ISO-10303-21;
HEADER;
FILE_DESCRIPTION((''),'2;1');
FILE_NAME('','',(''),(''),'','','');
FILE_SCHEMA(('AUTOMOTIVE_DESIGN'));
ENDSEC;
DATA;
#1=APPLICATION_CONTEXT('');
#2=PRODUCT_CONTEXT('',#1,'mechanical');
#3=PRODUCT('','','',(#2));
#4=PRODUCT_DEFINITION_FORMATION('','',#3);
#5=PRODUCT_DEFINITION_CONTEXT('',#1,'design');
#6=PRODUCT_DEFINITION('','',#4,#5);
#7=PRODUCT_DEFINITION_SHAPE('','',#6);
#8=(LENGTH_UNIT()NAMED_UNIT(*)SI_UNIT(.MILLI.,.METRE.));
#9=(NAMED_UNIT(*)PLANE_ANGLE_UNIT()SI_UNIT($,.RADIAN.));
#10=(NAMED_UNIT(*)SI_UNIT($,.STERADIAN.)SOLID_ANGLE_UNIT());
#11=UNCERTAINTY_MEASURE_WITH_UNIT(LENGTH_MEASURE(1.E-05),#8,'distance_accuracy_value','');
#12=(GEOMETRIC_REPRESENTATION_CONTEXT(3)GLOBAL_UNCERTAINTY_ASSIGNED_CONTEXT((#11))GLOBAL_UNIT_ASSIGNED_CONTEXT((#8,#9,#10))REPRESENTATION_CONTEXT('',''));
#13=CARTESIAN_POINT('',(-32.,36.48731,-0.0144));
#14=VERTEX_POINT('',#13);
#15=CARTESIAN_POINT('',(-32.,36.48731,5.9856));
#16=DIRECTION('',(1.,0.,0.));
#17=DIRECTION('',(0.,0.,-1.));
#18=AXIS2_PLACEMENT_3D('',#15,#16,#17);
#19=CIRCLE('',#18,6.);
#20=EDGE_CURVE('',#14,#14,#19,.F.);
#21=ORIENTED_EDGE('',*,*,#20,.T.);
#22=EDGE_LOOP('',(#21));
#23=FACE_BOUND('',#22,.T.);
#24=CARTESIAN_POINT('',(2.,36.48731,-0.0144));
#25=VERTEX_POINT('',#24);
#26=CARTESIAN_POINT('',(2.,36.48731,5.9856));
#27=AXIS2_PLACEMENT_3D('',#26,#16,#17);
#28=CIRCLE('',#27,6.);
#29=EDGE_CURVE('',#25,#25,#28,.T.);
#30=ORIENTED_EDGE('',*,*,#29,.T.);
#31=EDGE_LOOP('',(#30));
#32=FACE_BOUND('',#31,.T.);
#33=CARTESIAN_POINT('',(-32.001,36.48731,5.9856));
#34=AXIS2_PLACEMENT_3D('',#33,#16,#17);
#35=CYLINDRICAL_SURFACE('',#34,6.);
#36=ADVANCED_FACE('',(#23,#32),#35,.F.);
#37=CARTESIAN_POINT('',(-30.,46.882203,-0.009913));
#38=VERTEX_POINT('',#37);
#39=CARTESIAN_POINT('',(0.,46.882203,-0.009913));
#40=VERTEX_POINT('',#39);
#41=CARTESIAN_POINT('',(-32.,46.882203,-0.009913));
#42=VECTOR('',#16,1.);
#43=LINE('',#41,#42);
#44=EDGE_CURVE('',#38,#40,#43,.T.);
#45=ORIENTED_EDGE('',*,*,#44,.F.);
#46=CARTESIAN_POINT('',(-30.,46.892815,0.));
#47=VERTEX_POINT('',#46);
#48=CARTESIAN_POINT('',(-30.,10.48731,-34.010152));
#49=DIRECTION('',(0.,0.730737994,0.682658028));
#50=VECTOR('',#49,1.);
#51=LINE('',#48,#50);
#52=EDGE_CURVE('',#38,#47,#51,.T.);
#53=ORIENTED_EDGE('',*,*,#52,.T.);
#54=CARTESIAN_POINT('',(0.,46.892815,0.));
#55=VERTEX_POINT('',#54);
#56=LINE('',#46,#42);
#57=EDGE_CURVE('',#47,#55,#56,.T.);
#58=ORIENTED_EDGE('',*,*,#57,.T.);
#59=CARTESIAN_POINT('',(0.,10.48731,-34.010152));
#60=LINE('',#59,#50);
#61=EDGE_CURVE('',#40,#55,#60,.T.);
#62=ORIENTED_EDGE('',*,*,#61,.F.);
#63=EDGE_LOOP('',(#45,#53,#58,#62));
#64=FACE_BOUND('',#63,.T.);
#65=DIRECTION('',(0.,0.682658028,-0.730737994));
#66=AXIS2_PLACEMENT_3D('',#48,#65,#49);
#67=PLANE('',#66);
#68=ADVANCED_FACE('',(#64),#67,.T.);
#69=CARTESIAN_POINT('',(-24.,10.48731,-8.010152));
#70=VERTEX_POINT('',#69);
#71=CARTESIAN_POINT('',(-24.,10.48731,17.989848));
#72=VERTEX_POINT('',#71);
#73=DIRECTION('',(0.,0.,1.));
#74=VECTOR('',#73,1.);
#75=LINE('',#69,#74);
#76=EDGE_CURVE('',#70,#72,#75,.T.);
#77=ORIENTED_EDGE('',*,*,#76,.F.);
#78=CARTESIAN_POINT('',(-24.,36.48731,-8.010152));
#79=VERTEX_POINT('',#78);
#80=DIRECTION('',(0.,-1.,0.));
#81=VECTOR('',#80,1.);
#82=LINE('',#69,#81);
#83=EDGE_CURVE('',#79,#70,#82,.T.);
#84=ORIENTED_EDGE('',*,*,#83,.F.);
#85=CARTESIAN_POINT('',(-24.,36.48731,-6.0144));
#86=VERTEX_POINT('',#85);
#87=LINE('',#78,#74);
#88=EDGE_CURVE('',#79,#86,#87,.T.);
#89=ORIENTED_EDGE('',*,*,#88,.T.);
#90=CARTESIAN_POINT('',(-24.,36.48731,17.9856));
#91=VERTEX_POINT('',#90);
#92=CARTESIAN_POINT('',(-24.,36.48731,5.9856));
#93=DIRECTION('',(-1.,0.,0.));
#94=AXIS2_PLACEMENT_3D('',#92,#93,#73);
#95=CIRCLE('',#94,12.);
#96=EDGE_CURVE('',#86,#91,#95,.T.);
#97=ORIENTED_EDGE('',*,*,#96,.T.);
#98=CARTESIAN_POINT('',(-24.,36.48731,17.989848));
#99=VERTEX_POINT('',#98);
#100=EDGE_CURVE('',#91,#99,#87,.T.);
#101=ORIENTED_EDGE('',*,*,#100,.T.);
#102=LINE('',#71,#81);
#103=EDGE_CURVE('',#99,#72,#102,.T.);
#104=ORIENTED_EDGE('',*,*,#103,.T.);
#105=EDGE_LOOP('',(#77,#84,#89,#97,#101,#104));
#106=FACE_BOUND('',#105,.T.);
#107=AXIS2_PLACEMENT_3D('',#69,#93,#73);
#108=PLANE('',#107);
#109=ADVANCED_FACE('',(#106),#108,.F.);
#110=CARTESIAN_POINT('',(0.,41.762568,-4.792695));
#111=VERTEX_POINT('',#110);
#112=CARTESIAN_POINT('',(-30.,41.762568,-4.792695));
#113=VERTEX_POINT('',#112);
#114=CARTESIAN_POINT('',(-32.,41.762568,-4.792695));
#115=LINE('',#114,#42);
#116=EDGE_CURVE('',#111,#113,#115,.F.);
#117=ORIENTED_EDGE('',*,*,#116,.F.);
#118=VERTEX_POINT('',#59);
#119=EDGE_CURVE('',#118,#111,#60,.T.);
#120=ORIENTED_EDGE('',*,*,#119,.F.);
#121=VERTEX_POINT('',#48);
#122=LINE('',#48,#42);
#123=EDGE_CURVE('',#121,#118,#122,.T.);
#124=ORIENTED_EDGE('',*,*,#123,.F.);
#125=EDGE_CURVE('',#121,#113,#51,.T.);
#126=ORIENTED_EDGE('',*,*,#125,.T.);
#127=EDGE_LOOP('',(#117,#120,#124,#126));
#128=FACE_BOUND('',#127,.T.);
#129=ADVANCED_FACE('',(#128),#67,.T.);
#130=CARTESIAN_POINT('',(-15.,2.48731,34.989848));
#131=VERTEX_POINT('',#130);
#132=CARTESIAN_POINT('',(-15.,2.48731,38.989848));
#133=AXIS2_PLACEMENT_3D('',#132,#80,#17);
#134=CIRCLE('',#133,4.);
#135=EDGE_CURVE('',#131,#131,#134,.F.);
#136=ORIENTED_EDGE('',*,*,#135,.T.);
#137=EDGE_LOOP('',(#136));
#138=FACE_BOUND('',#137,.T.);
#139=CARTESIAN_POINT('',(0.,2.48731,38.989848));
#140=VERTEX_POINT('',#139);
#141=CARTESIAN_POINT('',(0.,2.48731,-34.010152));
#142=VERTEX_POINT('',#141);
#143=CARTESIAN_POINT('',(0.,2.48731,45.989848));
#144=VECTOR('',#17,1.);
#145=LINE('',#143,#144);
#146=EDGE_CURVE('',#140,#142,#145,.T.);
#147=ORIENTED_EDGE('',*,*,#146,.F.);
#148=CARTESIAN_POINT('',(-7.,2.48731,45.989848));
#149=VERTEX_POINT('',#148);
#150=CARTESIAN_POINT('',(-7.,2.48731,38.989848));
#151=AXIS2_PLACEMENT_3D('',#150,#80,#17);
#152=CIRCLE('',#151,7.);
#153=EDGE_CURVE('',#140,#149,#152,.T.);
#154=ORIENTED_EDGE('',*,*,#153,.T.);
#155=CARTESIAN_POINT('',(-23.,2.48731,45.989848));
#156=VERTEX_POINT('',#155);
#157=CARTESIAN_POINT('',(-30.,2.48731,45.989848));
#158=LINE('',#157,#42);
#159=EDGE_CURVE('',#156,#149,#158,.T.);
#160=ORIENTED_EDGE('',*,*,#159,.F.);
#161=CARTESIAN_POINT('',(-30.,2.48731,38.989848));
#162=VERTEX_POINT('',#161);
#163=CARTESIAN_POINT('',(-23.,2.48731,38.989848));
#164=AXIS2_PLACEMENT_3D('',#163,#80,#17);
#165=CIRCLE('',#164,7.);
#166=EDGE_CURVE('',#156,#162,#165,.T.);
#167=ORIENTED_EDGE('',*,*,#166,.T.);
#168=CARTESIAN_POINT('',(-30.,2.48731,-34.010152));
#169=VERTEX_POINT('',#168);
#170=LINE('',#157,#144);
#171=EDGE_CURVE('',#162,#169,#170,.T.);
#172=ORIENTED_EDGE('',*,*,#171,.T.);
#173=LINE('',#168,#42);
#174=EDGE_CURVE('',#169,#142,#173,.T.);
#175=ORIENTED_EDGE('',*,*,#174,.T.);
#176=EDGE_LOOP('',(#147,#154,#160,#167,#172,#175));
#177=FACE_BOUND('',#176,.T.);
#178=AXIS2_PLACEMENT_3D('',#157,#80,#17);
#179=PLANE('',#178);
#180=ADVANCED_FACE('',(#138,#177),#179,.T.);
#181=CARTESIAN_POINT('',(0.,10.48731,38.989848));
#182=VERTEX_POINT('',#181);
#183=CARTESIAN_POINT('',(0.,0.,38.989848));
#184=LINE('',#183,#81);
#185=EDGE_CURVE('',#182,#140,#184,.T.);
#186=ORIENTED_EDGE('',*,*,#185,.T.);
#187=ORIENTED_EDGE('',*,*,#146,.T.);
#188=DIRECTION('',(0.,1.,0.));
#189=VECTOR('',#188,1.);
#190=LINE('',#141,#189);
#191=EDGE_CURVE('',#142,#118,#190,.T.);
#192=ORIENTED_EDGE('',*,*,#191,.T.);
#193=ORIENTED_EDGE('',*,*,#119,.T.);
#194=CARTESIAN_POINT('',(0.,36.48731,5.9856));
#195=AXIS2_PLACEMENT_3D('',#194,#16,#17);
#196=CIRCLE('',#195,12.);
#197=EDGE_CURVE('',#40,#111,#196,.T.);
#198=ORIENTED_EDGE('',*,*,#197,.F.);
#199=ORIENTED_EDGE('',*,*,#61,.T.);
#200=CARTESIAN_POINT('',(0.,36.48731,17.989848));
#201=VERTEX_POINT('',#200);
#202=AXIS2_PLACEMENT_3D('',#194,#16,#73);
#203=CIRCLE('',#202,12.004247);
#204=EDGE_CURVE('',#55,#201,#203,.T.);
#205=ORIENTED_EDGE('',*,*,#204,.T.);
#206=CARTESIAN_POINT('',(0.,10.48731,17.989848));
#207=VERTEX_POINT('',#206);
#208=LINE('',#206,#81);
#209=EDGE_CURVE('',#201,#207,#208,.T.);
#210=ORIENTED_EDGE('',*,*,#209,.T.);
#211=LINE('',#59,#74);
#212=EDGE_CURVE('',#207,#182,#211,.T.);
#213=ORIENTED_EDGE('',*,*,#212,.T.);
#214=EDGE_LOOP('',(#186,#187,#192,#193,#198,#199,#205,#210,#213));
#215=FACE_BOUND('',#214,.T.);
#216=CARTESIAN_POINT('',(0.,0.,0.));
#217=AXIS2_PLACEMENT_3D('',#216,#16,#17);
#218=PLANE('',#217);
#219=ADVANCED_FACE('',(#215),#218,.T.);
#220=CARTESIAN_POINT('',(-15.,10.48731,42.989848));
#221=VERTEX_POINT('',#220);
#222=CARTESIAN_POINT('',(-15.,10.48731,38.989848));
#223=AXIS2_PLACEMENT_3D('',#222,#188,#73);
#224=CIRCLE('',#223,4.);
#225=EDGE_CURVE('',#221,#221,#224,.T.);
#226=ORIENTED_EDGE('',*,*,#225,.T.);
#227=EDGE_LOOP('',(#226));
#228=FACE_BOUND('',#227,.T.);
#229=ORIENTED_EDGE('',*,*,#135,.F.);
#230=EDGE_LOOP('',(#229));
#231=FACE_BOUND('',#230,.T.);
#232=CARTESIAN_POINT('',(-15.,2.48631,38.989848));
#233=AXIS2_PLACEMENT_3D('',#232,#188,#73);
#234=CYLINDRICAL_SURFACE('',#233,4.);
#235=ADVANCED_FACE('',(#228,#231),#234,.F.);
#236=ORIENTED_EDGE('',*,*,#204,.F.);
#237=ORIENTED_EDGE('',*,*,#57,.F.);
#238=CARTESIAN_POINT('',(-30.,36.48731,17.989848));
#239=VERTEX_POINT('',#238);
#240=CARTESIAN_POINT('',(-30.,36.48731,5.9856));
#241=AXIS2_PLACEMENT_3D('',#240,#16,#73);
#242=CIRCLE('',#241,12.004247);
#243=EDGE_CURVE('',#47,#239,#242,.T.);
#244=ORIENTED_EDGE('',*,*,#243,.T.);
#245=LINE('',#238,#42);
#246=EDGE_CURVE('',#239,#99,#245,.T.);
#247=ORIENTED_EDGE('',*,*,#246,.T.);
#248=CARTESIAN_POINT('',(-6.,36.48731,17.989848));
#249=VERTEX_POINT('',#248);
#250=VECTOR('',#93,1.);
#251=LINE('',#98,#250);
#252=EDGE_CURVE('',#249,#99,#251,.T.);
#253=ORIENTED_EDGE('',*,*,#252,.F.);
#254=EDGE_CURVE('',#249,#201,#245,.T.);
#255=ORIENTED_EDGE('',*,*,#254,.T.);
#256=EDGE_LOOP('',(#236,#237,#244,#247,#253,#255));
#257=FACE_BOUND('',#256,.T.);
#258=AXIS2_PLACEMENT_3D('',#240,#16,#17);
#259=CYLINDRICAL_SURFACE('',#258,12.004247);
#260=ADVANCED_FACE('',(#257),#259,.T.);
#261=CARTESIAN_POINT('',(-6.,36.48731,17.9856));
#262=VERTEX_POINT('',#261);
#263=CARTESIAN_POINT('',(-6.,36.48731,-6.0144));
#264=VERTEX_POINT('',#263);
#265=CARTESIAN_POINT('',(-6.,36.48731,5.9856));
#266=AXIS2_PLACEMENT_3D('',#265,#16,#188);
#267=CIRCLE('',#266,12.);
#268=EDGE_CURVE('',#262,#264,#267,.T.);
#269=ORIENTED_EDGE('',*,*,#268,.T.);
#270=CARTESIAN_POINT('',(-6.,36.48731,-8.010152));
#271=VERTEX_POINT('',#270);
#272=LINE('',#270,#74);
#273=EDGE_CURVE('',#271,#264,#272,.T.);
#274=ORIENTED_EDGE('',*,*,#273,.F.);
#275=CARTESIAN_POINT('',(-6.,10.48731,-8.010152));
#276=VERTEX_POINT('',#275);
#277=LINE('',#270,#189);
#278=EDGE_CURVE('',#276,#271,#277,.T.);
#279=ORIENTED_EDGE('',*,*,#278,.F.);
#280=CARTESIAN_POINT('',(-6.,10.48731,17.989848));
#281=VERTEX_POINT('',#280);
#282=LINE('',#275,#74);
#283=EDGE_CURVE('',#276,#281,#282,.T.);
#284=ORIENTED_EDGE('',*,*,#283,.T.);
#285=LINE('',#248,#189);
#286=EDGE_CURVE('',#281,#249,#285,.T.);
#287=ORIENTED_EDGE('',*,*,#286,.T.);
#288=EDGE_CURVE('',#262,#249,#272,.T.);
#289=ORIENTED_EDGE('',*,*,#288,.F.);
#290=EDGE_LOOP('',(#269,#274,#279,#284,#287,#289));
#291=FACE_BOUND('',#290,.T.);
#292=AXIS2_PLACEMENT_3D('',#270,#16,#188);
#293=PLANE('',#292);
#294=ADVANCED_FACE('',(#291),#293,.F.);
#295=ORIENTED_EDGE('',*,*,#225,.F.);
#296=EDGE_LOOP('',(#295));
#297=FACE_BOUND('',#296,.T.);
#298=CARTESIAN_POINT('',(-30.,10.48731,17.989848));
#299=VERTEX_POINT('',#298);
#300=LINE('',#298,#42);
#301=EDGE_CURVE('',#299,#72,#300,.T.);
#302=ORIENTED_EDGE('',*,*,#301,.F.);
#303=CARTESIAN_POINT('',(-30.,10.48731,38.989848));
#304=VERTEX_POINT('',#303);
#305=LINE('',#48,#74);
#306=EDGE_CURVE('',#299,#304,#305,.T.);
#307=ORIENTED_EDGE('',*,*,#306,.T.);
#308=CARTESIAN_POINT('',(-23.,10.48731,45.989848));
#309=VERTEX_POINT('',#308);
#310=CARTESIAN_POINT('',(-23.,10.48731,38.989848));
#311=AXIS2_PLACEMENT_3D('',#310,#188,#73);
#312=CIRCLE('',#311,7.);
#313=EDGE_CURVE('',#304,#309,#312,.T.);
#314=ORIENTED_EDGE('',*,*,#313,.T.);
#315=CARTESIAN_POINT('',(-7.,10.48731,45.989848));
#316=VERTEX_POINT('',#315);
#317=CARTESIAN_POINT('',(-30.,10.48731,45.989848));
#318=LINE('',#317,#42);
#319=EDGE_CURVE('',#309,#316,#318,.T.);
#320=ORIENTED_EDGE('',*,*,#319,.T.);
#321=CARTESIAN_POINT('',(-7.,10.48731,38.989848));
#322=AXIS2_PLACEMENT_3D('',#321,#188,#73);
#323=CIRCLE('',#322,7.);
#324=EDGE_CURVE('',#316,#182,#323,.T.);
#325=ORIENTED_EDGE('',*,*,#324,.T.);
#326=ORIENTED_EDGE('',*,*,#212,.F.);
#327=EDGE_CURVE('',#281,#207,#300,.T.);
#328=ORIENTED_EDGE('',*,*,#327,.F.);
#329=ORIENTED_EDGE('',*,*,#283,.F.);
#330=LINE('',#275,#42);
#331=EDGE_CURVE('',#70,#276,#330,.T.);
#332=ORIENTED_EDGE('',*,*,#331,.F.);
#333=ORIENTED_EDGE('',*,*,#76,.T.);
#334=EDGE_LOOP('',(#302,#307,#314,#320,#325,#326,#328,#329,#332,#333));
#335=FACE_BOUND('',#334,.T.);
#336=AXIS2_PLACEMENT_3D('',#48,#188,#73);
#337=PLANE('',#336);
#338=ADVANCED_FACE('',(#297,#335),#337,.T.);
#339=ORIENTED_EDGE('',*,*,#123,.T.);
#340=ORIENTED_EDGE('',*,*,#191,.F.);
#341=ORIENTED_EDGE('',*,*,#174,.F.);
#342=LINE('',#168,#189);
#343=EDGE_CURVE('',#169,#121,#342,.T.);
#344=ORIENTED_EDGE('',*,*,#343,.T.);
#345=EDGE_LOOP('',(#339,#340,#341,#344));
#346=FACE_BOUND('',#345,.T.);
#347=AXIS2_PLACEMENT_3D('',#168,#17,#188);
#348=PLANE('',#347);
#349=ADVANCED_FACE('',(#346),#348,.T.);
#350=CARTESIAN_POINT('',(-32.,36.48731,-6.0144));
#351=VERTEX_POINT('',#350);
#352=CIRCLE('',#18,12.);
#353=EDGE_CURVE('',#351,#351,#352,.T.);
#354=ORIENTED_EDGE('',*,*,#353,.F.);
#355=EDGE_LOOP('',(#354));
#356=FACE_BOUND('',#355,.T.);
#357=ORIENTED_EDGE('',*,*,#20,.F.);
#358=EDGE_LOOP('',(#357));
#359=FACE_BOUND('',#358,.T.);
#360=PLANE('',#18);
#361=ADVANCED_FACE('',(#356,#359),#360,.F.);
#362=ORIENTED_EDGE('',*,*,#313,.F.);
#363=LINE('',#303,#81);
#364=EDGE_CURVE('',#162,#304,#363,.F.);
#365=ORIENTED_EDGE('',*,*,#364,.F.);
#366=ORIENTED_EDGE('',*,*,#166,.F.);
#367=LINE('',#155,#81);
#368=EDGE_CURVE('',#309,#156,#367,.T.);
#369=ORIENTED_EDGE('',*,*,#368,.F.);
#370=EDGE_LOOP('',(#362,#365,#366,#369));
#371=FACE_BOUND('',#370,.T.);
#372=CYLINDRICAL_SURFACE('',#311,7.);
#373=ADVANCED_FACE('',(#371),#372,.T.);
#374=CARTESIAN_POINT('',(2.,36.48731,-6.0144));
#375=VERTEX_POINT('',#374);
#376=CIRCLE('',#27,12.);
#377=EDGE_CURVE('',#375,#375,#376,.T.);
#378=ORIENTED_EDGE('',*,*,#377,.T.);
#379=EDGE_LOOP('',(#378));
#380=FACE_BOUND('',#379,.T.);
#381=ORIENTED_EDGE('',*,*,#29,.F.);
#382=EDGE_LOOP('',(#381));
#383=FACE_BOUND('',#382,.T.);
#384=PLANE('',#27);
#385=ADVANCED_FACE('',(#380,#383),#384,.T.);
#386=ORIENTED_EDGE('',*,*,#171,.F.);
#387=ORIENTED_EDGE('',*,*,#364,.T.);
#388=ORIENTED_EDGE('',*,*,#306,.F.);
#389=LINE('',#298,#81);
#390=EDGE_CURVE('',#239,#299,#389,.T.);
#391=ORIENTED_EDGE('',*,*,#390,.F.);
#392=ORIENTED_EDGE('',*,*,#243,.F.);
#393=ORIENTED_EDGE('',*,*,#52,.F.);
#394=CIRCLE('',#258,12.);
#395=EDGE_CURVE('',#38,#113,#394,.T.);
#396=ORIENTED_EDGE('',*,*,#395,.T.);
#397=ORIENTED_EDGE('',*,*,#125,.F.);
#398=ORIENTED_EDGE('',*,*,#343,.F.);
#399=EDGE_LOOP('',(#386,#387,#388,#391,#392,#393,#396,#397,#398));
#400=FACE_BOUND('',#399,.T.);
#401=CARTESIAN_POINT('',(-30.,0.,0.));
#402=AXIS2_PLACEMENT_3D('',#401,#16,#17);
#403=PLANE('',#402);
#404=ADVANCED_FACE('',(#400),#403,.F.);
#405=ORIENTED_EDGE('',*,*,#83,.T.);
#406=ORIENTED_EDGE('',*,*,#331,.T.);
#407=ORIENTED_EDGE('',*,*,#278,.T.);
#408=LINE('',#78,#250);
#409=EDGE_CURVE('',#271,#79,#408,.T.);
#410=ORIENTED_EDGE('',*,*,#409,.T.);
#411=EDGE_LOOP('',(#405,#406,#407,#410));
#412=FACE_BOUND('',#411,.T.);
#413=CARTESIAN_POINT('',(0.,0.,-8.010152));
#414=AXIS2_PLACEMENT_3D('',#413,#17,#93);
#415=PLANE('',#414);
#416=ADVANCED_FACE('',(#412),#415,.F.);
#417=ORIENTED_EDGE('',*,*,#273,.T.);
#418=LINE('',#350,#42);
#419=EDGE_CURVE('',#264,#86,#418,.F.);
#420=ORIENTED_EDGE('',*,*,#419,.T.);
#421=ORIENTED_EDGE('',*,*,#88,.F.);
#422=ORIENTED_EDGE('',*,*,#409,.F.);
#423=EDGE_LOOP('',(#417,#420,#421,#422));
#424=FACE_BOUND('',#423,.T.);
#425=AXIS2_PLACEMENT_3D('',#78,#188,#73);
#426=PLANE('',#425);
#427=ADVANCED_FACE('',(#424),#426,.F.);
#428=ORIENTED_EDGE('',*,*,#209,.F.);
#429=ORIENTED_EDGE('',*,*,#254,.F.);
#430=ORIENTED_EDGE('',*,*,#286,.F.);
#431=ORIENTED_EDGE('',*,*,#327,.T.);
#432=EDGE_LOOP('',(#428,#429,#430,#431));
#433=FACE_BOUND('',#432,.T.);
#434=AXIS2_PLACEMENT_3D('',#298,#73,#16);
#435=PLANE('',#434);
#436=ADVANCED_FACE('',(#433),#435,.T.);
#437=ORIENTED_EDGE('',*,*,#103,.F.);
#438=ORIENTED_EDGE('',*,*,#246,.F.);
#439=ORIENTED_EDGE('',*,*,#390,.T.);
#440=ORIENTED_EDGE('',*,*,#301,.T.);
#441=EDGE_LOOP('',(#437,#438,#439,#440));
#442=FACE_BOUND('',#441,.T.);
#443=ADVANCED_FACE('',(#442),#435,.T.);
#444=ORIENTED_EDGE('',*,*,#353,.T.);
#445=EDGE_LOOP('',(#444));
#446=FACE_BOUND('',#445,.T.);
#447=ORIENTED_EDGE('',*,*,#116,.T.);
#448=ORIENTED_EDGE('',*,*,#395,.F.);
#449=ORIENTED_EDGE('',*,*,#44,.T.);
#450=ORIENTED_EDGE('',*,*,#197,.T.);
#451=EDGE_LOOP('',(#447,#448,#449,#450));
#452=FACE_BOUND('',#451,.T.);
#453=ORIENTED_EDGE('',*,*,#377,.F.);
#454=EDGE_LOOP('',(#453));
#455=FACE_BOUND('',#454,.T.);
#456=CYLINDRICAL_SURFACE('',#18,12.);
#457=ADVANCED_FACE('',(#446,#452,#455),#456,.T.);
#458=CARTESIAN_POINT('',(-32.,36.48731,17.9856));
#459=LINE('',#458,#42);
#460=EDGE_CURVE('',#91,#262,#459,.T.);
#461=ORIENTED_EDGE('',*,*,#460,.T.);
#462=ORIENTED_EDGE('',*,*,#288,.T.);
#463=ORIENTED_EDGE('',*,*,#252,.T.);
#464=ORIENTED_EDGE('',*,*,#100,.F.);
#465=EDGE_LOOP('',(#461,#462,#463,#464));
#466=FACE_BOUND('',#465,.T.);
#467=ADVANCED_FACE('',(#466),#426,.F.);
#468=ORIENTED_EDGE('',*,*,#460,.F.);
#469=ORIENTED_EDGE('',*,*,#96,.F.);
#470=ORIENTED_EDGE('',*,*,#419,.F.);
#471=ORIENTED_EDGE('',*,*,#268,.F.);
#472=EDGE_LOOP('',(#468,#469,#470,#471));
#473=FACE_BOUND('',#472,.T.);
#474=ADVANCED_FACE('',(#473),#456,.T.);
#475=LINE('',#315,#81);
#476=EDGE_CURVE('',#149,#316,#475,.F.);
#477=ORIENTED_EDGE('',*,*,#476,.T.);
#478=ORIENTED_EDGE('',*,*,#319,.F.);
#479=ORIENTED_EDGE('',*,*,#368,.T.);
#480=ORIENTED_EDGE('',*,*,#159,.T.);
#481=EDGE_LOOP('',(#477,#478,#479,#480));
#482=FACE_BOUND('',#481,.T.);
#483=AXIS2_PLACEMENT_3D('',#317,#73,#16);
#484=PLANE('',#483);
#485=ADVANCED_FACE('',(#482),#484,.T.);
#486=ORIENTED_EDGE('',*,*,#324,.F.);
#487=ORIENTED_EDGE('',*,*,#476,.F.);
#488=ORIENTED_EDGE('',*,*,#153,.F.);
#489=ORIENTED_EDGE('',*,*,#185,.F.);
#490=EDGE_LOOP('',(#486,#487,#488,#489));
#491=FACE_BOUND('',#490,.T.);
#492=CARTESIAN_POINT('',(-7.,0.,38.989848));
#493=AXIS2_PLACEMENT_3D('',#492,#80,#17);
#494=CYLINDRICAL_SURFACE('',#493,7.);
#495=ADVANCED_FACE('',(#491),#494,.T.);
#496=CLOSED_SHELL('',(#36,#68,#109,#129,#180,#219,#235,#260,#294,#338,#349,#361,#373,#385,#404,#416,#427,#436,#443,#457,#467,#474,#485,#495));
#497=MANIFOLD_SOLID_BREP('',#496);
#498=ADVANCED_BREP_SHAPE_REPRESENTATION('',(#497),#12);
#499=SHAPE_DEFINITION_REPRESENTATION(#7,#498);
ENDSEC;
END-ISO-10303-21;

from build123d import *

# Parameters (mm, degrees)
SKETCH1_W           = 80
SKETCH1_H           = 8
BOSS_EXTRUDE1_DEPTH = 30
FILLET1_R           = 7
FILLET2_R           = 7
BOSS_EXTRUDE3_DEPTH = 30
SKETCH4_W           = 18
SKETCH4_H           = 26
CUT_EXTRUDE1_DEPTH  = 26
SKETCH5_R           = 12
BOSS_EXTRUDE4_DEPTH = 32
BOSS_EXTRUDE5_START = 2
SKETCH6_R           = 12
BOSS_EXTRUDE5_DEPTH = 2
CUT_EXTRUDE2_REACH  = 76.983
SKETCH7_R           = 6
CUT_EXTRUDE3_REACH  = 69.701
SKETCH8_R           = 4


with BuildPart() as part:
    # Sketch1 → Boss-Extrude1 (new body)
    with BuildSketch(Plane(origin=(0, 0, 0), x_dir=(0, 0, -1), z_dir=(1, 0, 0))):
        with Locations((-5.989847716, 6.487309645)):
            Rectangle(SKETCH1_W, SKETCH1_H)
    extrude(amount=-BOSS_EXTRUDE1_DEPTH)

    # Fillet1
    fillet1_edges = [part.edges().sort_by_distance(p)[0] for p in [
        (0, 6.487309645, 45.989847716),
    ]]
    fillet(fillet1_edges, radius=FILLET1_R)

    # Fillet2
    fillet2_edges = [part.edges().sort_by_distance(p)[0] for p in [
        (-30, 6.487309645, 45.989847716),
    ]]
    fillet(fillet2_edges, radius=FILLET2_R)

    # Sketch2 → Boss-Extrude3 (add)
    with BuildSketch(Plane(origin=(0, 0, 0), x_dir=(0, 0, -1), z_dir=(1, 0, 0))):
        with BuildLine():
            Line((-17.989847716, 10.487309645), (-17.989847716, 36.487309645))
            ThreePointArc((-17.989847716, 36.487309645), (-11.995980002, 46.878521813), (0, 46.892814939))
            Line((0, 46.892814939), (34.010152284, 10.487309645))
            Line((34.010152284, 10.487309645), (-17.989847716, 10.487309645))
        make_face()
    extrude(amount=-BOSS_EXTRUDE3_DEPTH)

    # Sketch4 → Cut-Extrude1 (cut)
    with BuildSketch(Plane.XY.offset(17.989847716)):
        with Locations((-15, 23.487309645)):
            Rectangle(SKETCH4_W, SKETCH4_H)
    extrude(amount=-CUT_EXTRUDE1_DEPTH, mode=Mode.SUBTRACT)

    # Sketch5 → Boss-Extrude4 (add)
    with BuildSketch(Plane(origin=(0, 0, 0), x_dir=(0, 0, -1), z_dir=(1, 0, 0))):
        with Locations((-5.985600429, 36.487309645)):
            Circle(SKETCH5_R)
    extrude(amount=-BOSS_EXTRUDE4_DEPTH)

    # Sketch6 → Boss-Extrude5 (add)
    with BuildSketch(Plane(origin=(0, 0, 0), x_dir=(0, 0, -1), z_dir=(1, 0, 0)).offset(BOSS_EXTRUDE5_START)):
        with Locations((-5.985600429, 36.487309645)):
            Circle(SKETCH6_R)
    extrude(amount=-BOSS_EXTRUDE5_DEPTH)

    # Sketch7 → Cut-Extrude2 (cut, up to next)
    with BuildSketch(Plane(origin=(2, 0, 0), x_dir=(0, 0, -1), z_dir=(1, 0, 0)), mode=Mode.PRIVATE) as cut_extrude2_sk1:
        with Locations((-5.985600429, 36.487309645)):
            Circle(SKETCH7_R)
    cut_extrude2_tool1 = extrude(cut_extrude2_sk1.sketch, amount=-CUT_EXTRUDE2_REACH, mode=Mode.PRIVATE) & part.part
    add(cut_extrude2_tool1.solids().sort_by_distance((2, 36.48731, 5.9856))[0], mode=Mode.SUBTRACT)

    # Sketch8 → Cut-Extrude3 (cut, up to next)
    with BuildSketch(Plane(origin=(0, 10.487309645, 0), x_dir=(1, 0, 0), z_dir=(0, 1, 0)), mode=Mode.PRIVATE) as cut_extrude3_sk1:
        with Locations(Location((-15, -38.989847716, 0), (0, 0, 270))):
            Circle(SKETCH8_R)
    cut_extrude3_tool1 = extrude(cut_extrude3_sk1.sketch, amount=-CUT_EXTRUDE3_REACH, mode=Mode.PRIVATE) & part.part
    add(cut_extrude3_tool1.solids().sort_by_distance((-15, 10.48731, 38.989848))[0], mode=Mode.SUBTRACT)


solid = part.part
